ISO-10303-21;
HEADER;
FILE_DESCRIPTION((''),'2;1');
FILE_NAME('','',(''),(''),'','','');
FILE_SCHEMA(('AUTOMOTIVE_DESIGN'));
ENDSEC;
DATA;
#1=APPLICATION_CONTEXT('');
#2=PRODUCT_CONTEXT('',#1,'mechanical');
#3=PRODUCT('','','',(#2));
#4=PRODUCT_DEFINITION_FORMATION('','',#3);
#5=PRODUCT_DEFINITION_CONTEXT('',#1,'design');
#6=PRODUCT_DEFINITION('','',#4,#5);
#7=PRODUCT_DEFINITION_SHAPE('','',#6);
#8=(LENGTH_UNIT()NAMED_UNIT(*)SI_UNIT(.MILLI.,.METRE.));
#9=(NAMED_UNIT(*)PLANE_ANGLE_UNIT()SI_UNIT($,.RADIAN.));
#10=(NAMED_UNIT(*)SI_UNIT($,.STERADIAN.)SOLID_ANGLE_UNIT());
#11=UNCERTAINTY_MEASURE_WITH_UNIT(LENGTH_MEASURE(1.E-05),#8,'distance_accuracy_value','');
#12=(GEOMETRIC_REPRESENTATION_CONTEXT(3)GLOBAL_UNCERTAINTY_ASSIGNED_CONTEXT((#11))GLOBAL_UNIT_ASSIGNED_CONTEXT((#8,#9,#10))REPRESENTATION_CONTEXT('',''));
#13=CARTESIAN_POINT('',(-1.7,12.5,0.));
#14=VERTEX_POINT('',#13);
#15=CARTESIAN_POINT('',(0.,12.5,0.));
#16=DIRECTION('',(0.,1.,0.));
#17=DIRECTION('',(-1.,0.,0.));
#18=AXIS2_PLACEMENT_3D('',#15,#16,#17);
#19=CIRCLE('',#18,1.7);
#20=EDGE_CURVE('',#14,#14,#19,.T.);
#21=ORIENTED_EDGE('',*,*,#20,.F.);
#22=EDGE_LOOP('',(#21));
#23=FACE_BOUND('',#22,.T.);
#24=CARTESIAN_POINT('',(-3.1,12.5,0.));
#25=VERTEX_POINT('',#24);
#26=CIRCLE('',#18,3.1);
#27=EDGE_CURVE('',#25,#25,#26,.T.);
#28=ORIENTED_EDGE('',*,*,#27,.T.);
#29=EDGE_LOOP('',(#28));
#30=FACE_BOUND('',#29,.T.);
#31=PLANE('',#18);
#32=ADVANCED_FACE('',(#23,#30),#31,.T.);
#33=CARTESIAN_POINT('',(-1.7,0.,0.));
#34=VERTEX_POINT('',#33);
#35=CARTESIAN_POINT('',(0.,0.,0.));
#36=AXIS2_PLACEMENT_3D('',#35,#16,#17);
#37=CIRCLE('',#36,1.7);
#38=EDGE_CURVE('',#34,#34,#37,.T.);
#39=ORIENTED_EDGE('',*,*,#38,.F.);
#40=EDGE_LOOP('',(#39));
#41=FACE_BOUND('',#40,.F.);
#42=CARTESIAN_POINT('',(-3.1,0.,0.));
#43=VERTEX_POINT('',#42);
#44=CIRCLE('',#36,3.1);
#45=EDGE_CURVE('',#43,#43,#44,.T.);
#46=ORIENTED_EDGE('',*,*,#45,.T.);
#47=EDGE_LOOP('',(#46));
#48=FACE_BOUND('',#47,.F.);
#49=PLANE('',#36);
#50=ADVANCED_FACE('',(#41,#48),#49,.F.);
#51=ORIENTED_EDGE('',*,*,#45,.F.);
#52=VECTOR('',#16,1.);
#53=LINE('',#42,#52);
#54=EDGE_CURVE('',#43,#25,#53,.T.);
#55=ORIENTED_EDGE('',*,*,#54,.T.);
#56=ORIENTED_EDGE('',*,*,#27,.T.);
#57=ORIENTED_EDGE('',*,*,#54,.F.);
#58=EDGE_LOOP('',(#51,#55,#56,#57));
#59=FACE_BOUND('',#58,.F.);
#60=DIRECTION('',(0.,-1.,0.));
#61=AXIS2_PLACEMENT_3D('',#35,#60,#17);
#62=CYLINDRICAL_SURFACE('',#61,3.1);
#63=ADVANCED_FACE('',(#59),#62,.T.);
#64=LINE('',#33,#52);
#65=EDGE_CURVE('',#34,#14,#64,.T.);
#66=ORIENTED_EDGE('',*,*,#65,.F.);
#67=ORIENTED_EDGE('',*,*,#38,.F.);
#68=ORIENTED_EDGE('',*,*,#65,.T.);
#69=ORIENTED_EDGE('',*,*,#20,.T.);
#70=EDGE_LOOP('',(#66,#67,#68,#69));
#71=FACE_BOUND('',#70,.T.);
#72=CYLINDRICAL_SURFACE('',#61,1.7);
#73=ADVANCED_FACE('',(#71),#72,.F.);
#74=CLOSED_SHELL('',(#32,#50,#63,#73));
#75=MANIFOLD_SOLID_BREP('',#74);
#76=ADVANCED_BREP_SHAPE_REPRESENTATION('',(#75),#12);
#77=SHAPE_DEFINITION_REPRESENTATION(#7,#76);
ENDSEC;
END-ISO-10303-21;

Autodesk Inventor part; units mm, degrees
ref_plane "YZ Plane" through (0, 0, 0) normal (1, 0, 0) x (0, 1, 0)
ref_plane "XZ Plane" through (0, 0, 0) normal (0, 1, 0) x (-1, 0, 0)
ref_plane "XY Plane" through (0, 0, 0) normal (0, 0, 1) x (1, 0, 0)
sketch "Szkic1" plane through (0, 0, 0) normal (0, 1, 0) x (-1, 0, 0)
  circle A0 centre (0, 0) radius 1.7
  circle A1 centre (0, 0) radius 3.1
  dimension "d0" = 3.4
  dimension "d1" = 6.2
extrude "Wyciągnięcie proste1" add sketch "Szkic1" along normal blind 12.5
properties part number "tuleja12,5"
